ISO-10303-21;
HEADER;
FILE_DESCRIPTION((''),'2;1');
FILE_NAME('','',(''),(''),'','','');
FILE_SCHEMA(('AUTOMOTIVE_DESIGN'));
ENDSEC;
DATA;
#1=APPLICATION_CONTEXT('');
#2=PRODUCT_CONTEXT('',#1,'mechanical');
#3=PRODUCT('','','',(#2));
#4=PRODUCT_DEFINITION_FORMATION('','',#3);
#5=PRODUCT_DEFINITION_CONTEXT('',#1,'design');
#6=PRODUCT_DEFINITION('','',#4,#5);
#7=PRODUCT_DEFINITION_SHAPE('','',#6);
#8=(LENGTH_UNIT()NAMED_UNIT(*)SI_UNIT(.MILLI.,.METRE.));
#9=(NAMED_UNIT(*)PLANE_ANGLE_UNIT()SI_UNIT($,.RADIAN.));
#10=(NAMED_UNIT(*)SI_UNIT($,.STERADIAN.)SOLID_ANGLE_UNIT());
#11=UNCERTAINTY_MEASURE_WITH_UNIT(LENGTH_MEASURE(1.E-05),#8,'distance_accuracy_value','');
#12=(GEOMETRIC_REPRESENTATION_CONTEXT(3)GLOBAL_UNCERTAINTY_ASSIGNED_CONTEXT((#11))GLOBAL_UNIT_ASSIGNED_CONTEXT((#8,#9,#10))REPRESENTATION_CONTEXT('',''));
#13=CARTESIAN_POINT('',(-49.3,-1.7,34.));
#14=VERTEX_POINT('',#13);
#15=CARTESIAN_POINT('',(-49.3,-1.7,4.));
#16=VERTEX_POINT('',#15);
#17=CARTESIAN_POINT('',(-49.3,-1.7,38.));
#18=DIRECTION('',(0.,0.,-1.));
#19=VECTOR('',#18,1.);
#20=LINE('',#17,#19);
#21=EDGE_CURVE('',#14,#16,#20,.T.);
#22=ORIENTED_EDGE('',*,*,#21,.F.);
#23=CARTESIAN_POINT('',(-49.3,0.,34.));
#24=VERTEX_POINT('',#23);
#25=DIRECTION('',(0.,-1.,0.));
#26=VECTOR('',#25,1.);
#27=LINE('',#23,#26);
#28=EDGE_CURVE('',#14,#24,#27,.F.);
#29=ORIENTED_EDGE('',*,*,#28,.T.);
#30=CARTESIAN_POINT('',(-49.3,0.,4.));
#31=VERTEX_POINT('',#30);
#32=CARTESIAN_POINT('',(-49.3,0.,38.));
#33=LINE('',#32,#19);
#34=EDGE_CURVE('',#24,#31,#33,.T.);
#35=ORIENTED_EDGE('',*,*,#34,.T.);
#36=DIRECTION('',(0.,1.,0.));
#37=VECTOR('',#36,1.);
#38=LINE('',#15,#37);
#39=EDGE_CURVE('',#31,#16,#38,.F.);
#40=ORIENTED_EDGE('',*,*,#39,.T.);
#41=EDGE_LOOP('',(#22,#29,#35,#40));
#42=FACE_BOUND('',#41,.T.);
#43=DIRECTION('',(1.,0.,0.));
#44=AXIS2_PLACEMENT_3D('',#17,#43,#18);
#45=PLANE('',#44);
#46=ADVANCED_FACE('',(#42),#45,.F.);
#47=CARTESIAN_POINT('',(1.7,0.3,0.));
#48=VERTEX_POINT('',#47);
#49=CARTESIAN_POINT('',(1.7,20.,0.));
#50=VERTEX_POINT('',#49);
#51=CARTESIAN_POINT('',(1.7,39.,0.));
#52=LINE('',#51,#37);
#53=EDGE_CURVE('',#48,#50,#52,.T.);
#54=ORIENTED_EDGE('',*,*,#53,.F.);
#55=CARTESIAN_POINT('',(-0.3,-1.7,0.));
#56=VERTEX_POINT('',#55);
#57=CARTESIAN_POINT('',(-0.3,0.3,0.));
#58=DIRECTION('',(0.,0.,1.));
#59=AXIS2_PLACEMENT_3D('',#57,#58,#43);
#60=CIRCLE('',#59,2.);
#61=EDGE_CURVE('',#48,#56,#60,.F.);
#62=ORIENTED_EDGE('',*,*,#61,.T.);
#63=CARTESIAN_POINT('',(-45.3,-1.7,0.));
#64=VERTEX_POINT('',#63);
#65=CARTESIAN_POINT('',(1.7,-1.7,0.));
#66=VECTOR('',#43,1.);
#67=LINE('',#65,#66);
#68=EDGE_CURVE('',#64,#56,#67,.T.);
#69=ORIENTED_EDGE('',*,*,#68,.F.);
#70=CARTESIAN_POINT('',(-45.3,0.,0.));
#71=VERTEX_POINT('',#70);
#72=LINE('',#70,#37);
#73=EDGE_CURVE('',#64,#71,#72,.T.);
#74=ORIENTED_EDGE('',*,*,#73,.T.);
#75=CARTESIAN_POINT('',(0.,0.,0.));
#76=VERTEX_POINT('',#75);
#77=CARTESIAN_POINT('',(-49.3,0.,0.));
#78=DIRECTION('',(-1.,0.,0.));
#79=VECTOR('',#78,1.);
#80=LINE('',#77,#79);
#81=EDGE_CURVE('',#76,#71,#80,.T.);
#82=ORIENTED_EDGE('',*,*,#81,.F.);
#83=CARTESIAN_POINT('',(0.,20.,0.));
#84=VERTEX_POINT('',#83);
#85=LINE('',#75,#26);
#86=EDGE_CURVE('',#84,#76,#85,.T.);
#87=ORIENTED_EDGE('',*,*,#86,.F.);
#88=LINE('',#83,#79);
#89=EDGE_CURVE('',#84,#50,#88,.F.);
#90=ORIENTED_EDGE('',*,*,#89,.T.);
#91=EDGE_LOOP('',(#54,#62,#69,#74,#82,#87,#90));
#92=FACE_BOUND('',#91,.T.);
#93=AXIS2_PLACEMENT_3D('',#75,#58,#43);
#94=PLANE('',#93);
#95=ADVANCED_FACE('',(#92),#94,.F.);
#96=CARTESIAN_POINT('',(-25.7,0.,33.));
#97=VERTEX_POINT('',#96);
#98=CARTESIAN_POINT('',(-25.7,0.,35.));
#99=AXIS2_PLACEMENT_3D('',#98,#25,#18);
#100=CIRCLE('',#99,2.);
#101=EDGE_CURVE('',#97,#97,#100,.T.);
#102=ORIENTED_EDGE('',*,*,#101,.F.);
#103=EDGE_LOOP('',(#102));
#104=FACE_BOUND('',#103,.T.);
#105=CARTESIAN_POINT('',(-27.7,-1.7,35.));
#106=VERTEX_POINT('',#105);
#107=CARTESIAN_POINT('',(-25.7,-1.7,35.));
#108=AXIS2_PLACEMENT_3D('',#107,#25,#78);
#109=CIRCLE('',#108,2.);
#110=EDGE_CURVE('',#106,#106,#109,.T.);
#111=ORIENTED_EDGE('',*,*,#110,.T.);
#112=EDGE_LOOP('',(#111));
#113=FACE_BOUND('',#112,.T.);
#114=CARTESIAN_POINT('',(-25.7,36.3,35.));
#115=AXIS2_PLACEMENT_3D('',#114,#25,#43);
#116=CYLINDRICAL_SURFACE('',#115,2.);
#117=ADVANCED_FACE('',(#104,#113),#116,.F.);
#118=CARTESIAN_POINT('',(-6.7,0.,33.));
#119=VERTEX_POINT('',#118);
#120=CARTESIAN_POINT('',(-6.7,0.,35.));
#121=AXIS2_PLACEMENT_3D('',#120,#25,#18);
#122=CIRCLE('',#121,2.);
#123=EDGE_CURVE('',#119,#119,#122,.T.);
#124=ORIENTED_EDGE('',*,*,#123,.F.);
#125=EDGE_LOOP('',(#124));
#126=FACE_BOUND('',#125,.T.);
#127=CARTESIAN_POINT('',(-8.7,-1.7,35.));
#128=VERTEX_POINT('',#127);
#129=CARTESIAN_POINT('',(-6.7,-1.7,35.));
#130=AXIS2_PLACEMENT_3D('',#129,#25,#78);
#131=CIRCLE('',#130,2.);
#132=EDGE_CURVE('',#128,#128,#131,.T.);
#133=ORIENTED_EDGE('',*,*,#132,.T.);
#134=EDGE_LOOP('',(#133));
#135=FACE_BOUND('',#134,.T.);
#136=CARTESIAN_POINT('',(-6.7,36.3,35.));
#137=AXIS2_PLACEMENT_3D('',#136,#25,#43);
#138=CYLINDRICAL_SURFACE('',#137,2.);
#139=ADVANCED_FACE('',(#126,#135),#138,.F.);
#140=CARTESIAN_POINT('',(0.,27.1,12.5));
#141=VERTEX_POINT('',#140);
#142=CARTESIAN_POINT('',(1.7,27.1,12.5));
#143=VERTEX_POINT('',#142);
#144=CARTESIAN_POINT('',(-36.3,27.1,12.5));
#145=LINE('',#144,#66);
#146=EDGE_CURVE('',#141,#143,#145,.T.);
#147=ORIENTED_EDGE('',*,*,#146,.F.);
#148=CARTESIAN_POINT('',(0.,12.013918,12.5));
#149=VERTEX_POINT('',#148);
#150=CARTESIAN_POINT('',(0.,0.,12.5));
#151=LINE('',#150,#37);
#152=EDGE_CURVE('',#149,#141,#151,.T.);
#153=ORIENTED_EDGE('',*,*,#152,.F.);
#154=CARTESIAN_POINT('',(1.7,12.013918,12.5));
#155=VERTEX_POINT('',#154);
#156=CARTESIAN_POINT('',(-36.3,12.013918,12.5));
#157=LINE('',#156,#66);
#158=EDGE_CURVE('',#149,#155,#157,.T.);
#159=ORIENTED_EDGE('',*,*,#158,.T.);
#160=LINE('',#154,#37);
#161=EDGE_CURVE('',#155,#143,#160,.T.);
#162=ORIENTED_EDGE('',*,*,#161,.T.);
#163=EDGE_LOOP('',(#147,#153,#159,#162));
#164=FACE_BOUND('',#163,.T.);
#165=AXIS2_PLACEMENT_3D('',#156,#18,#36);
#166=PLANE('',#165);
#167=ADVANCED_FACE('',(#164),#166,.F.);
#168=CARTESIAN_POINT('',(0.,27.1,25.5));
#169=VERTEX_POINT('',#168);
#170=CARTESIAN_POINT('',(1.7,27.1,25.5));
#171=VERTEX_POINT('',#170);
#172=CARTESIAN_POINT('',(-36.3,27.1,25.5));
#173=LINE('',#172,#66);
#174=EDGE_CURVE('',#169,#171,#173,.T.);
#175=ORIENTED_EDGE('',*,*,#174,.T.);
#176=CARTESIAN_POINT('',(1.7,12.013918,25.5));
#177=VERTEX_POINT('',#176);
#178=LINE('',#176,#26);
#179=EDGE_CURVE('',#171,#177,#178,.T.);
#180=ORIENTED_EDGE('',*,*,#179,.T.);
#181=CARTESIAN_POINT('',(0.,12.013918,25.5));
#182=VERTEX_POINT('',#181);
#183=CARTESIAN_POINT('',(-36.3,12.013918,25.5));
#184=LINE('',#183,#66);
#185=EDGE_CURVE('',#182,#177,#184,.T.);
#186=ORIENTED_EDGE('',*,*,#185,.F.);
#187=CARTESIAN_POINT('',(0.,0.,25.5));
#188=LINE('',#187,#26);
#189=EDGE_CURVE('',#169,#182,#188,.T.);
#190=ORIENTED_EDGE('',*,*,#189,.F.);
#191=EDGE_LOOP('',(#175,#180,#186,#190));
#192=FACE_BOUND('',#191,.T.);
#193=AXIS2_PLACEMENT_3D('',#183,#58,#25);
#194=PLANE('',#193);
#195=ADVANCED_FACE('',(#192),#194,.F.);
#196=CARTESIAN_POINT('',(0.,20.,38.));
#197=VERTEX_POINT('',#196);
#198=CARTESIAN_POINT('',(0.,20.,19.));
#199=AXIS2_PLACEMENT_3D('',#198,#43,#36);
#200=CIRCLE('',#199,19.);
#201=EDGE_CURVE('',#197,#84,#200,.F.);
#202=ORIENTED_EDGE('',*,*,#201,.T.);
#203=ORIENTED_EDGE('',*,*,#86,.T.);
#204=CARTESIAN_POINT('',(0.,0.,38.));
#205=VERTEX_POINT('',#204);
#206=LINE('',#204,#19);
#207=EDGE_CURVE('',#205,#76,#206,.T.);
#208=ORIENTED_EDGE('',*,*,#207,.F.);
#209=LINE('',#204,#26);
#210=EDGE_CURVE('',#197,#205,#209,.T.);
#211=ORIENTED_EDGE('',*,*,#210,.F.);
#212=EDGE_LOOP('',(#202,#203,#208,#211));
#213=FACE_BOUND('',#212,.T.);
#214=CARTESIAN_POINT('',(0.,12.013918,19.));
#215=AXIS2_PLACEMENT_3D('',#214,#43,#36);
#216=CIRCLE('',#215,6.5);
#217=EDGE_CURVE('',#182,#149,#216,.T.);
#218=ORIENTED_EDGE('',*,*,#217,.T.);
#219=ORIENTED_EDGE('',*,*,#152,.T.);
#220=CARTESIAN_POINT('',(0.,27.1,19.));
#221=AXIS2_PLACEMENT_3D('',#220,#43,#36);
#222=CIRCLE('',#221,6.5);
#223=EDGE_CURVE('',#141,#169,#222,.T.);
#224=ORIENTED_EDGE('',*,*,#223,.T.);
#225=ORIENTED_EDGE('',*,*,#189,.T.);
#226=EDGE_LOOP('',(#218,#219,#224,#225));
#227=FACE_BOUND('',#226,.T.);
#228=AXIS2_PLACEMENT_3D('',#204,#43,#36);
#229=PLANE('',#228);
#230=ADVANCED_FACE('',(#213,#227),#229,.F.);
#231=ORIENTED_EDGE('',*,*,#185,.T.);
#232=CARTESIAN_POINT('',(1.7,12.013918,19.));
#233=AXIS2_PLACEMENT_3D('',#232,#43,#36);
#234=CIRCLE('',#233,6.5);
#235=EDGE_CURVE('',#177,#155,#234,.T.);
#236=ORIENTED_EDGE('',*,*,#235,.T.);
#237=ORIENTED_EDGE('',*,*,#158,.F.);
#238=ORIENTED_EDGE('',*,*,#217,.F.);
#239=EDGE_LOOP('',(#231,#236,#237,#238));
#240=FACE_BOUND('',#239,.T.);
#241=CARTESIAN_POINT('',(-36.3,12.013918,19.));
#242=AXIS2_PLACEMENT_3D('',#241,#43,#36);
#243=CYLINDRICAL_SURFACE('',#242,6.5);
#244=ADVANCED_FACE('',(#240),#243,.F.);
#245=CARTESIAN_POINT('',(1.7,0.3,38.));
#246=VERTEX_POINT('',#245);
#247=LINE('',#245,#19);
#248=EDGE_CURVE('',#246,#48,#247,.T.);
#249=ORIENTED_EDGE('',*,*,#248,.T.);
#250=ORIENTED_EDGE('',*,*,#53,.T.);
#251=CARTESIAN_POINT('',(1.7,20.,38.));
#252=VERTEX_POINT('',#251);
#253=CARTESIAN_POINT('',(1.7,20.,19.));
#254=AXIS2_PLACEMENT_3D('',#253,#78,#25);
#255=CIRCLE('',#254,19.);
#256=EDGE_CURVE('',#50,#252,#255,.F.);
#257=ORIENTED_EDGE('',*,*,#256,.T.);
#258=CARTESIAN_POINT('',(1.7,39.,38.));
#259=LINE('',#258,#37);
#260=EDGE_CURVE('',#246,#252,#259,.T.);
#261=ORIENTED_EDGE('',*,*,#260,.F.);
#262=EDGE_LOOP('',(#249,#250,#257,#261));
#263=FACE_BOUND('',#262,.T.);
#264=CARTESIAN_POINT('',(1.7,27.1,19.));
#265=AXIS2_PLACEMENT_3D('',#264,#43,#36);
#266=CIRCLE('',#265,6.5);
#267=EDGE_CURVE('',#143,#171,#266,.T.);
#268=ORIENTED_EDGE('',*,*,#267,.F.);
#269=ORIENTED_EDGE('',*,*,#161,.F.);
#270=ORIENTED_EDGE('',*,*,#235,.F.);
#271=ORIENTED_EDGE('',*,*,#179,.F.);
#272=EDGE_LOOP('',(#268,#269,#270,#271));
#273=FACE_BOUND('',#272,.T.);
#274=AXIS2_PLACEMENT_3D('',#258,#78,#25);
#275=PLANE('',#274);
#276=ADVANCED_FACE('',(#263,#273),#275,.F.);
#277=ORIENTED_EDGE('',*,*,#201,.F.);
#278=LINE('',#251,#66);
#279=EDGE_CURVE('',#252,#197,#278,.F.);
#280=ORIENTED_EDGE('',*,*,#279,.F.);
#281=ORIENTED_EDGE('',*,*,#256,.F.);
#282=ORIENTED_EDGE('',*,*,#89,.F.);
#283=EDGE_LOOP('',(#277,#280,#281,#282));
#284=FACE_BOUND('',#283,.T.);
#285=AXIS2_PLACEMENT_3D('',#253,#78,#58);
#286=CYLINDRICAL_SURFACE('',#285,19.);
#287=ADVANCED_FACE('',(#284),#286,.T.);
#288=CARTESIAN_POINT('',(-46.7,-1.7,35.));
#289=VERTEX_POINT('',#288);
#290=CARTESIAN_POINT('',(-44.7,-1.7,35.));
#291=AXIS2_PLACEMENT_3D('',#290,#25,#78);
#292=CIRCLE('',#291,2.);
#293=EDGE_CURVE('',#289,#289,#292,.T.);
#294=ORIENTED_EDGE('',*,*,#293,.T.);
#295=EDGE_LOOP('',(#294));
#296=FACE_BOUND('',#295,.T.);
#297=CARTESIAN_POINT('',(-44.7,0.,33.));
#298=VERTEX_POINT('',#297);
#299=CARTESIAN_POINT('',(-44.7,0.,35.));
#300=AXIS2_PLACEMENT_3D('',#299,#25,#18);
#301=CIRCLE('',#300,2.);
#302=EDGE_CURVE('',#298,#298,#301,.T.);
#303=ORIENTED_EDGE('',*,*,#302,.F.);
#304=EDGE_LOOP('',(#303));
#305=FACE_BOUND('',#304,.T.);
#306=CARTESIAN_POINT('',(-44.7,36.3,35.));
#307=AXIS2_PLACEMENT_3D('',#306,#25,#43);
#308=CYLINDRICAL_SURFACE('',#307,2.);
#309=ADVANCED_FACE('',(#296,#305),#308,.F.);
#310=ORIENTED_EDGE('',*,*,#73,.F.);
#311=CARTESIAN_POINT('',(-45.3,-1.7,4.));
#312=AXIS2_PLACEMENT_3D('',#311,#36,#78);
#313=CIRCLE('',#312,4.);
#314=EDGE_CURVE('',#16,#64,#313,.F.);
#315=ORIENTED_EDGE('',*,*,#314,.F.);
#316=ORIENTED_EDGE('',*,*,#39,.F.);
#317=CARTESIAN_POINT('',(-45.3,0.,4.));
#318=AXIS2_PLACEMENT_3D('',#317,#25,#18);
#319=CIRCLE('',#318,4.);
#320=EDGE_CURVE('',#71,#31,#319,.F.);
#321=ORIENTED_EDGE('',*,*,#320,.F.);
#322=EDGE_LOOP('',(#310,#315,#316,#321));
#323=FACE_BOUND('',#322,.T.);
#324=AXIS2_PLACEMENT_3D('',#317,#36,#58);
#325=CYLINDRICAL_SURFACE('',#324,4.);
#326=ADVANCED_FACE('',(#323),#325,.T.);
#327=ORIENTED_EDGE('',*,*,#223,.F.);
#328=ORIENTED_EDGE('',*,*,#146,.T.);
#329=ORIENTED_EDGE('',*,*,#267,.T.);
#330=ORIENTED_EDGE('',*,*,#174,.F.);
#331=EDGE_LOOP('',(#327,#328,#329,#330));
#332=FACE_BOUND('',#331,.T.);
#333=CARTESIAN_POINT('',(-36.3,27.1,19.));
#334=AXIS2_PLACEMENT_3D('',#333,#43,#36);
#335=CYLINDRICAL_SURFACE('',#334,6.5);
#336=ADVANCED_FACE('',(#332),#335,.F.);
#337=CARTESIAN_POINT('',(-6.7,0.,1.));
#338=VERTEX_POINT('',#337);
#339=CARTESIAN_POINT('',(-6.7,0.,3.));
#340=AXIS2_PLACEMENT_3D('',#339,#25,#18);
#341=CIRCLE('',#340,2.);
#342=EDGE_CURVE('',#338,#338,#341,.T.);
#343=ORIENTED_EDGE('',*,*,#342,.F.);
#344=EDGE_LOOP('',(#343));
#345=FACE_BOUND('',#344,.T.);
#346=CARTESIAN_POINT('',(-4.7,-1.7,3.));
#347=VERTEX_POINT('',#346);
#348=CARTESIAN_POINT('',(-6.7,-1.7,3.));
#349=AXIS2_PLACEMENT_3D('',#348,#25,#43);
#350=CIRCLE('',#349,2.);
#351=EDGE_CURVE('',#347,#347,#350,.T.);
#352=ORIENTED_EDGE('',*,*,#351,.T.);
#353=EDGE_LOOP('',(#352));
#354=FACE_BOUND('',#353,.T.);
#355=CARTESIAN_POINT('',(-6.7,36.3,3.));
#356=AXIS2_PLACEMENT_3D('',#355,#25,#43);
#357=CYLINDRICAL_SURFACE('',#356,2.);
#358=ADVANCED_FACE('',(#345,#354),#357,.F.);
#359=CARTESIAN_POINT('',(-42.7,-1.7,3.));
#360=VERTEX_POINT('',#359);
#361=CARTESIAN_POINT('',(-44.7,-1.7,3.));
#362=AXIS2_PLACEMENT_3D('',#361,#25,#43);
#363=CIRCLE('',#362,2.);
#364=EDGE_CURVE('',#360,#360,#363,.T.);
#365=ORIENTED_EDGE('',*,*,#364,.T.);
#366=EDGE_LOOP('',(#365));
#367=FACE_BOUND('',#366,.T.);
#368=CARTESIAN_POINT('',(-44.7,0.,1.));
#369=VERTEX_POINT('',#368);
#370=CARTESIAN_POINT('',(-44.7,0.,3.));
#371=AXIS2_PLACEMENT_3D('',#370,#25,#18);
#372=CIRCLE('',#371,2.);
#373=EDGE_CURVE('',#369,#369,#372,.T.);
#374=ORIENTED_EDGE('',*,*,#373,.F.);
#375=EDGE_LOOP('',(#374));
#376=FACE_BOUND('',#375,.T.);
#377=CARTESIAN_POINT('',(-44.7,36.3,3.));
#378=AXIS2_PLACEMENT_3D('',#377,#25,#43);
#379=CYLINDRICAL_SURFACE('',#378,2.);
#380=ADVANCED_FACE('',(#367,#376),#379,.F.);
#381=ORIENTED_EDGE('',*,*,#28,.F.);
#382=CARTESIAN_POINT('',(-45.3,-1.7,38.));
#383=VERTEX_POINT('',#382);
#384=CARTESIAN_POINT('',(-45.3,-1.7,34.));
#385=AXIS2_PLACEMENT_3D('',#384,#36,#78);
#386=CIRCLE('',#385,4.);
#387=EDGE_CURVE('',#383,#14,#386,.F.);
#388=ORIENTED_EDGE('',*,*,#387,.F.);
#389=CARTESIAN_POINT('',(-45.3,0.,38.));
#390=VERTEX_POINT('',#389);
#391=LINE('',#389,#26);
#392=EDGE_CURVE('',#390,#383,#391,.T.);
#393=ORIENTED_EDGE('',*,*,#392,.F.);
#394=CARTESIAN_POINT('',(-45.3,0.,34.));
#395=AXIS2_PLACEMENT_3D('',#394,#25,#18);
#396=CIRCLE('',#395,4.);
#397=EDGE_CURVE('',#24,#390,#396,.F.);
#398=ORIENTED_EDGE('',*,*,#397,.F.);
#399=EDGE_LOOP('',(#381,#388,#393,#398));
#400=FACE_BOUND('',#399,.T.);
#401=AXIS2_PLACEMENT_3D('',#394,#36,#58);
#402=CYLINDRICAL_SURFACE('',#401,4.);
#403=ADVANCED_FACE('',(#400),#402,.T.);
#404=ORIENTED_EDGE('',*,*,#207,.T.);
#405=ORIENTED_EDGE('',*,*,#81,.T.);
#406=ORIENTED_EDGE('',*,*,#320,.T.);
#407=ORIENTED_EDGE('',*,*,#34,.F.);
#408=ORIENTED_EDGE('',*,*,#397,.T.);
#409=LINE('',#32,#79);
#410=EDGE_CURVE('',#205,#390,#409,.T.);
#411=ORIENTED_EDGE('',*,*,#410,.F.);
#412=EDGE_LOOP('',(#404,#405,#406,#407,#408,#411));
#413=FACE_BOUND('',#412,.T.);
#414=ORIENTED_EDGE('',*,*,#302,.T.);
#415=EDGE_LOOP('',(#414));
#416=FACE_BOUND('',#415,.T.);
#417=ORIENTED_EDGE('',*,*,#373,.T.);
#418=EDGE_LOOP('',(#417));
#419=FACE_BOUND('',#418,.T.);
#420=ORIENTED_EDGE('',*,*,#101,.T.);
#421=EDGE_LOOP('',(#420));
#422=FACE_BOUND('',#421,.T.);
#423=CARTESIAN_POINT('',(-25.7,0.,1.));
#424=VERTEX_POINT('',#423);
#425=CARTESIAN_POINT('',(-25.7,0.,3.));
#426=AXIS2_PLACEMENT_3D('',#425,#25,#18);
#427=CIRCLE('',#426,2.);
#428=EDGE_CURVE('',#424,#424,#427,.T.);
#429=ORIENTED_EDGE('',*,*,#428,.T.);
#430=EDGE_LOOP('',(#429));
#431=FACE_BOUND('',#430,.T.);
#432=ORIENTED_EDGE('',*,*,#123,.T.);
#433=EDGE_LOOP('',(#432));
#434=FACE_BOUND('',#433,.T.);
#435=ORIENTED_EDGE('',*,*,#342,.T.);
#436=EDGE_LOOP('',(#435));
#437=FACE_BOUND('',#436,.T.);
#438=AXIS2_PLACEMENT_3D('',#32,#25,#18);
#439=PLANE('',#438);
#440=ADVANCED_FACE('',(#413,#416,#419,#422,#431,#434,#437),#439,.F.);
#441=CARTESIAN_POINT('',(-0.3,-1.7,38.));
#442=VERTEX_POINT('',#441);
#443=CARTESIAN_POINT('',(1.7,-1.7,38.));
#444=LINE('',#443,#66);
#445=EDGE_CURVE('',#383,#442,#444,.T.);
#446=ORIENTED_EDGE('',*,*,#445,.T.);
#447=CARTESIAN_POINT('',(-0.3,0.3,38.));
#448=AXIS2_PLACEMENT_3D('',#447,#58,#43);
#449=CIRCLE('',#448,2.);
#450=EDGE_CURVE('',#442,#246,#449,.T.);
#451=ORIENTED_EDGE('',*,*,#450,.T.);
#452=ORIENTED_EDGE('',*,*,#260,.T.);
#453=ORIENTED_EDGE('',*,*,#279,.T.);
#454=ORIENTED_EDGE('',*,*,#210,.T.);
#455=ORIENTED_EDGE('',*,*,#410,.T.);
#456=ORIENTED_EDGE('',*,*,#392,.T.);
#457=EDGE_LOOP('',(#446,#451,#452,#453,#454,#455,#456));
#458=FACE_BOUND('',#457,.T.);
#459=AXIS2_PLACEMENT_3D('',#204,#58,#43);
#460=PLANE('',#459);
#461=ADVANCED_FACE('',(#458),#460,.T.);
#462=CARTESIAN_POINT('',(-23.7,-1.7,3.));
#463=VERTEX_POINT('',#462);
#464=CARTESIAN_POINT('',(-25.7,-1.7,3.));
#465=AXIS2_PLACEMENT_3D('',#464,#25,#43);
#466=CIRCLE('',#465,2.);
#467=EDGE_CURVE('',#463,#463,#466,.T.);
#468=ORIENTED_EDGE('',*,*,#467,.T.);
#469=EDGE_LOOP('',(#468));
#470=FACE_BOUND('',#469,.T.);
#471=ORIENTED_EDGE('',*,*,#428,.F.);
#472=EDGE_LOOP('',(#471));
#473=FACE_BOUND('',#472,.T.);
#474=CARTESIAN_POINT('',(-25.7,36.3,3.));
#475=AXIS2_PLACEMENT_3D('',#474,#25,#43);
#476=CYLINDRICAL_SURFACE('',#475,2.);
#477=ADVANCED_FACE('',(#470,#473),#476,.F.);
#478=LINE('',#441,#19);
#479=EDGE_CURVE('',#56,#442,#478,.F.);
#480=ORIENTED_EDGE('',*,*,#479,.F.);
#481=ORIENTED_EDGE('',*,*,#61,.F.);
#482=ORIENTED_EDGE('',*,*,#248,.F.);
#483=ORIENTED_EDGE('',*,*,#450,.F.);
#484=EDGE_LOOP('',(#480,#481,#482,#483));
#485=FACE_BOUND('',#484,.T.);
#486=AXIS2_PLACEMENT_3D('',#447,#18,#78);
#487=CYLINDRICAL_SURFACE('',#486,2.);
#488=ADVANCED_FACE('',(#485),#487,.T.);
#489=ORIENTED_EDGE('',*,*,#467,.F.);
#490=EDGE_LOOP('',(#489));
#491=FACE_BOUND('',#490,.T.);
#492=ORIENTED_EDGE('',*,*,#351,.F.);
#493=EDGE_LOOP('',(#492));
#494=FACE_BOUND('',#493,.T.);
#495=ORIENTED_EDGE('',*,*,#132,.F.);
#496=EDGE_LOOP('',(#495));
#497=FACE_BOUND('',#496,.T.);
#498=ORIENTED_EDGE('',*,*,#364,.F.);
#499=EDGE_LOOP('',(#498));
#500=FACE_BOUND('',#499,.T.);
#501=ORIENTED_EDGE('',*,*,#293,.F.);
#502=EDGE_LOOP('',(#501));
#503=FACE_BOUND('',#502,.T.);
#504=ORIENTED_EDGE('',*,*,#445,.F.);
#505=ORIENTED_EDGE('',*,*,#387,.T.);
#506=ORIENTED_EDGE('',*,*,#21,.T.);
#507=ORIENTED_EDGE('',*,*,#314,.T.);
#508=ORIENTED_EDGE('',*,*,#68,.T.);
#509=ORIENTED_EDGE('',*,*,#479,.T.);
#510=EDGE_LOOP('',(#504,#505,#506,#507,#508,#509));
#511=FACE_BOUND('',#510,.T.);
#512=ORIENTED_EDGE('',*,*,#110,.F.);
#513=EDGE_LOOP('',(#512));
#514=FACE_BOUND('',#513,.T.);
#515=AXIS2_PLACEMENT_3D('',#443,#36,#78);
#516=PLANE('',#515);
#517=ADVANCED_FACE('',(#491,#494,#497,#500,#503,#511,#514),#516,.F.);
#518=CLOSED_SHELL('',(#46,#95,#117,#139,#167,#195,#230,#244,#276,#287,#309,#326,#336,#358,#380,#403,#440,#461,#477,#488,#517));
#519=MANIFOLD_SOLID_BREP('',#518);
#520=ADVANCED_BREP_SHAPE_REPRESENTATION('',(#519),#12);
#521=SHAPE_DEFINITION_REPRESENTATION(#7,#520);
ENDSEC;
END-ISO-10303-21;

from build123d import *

# Parameters (mm, degrees)
BOSS_EXTRUDE1_DEPTH = 38
FILLET1_R           = 4
FILLET2_R           = 4
FILLET3_RADIUS      = 19
FILLET3_LENGTH      = 1.7
CUT_EXTRUDE1_DEPTH  = 38
SKETCH3_R           = 2
CUT_EXTRUDE2_DEPTH  = 38
FILLET4_R           = 2


with BuildPart() as part:
    # Sketch1 → Boss-Extrude1 (new body)
    with BuildSketch(Plane.XY):
        Polygon((0, 0), (0, 39), (1.7, 39), (1.7, -1.7), (-49.3, -1.7), (-49.3, 0), align=None)
    extrude(amount=BOSS_EXTRUDE1_DEPTH)

    # Fillet1
    fillet1_edges = [part.edges().sort_by_distance(p)[0] for p in [
        (-49.3, -0.85, 0),
    ]]
    fillet(fillet1_edges, radius=FILLET1_R)

    # Fillet2
    fillet2_edges = [part.edges().sort_by_distance(p)[0] for p in [
        (-49.3, -0.85, 38),
    ]]
    fillet(fillet2_edges, radius=FILLET2_R)

    # Fillet3: full round fillet: the end face becomes a half cylinder, R = half its width
    fillet3_face = Plane((0.85, 39, 19), x_dir=(1, 0, 0), z_dir=(0, 1, 0))  # on the end face: x along it, z out of the body
    fillet3_slab = fillet3_face.offset(-FILLET3_RADIUS / 2) * Box(FILLET3_LENGTH, 2 * FILLET3_RADIUS, FILLET3_RADIUS, mode=Mode.PRIVATE)  # the body's end, R deep
    fillet3_round = Plane((0.85, 20, 19), x_dir=(0, 1, 0), z_dir=(1, 0, 0)) * Cylinder(FILLET3_RADIUS, FILLET3_LENGTH, mode=Mode.PRIVATE)  # its axis R under the face
    add(fillet3_slab - fillet3_round, mode=Mode.SUBTRACT)

    # Sketch2 → Cut-Extrude1 (cut)
    with BuildSketch(Plane(origin=(1.7, 0, 0), x_dir=(0, 0, -1), z_dir=(1, 0, 0))):
        with BuildLine():
            Line((-25.5, 12.013917936), (-25.5, 27.1))
            ThreePointArc((-25.5, 27.1), (-19, 33.6), (-12.5, 27.1))
            Line((-12.5, 27.1), (-12.5, 12.013917936))
            ThreePointArc((-12.5, 12.013917936), (-19, 5.513917936), (-25.5, 12.013917936))
        make_face()
    extrude(amount=-CUT_EXTRUDE1_DEPTH, mode=Mode.SUBTRACT)

    # Sketch3 → Cut-Extrude2 (cut)
    with BuildSketch(Plane(origin=(0, -1.7, 0), x_dir=(-1, 0, 0), z_dir=(0, -1, 0))):
        with Locations(Location((44.7, -3, 0), (0, 0, 180))):
            Circle(SKETCH3_R)
        with Locations(Location((25.7, -3, 0), (0, 0, 180))):
            Circle(SKETCH3_R)
        with Locations(Location((6.7, -3, 0), (0, 0, 180))):
            Circle(SKETCH3_R)
        with Locations(Location((6.7, -35, 0), (0, 0, 90))):
            Circle(SKETCH3_R)
        with Locations(Location((25.7, -35, 0), (0, 0, 90))):
            Circle(SKETCH3_R)
        with Locations(Location((44.7, -35, 0), (0, 0, 90))):
            Circle(SKETCH3_R)
    extrude(amount=-CUT_EXTRUDE2_DEPTH, mode=Mode.SUBTRACT)

    # Fillet4
    fillet4_edges = [part.edges().sort_by_distance(p)[0] for p in [
        (1.7, -1.7, 19),
    ]]
    fillet(fillet4_edges, radius=FILLET4_R)


solid = part.part
